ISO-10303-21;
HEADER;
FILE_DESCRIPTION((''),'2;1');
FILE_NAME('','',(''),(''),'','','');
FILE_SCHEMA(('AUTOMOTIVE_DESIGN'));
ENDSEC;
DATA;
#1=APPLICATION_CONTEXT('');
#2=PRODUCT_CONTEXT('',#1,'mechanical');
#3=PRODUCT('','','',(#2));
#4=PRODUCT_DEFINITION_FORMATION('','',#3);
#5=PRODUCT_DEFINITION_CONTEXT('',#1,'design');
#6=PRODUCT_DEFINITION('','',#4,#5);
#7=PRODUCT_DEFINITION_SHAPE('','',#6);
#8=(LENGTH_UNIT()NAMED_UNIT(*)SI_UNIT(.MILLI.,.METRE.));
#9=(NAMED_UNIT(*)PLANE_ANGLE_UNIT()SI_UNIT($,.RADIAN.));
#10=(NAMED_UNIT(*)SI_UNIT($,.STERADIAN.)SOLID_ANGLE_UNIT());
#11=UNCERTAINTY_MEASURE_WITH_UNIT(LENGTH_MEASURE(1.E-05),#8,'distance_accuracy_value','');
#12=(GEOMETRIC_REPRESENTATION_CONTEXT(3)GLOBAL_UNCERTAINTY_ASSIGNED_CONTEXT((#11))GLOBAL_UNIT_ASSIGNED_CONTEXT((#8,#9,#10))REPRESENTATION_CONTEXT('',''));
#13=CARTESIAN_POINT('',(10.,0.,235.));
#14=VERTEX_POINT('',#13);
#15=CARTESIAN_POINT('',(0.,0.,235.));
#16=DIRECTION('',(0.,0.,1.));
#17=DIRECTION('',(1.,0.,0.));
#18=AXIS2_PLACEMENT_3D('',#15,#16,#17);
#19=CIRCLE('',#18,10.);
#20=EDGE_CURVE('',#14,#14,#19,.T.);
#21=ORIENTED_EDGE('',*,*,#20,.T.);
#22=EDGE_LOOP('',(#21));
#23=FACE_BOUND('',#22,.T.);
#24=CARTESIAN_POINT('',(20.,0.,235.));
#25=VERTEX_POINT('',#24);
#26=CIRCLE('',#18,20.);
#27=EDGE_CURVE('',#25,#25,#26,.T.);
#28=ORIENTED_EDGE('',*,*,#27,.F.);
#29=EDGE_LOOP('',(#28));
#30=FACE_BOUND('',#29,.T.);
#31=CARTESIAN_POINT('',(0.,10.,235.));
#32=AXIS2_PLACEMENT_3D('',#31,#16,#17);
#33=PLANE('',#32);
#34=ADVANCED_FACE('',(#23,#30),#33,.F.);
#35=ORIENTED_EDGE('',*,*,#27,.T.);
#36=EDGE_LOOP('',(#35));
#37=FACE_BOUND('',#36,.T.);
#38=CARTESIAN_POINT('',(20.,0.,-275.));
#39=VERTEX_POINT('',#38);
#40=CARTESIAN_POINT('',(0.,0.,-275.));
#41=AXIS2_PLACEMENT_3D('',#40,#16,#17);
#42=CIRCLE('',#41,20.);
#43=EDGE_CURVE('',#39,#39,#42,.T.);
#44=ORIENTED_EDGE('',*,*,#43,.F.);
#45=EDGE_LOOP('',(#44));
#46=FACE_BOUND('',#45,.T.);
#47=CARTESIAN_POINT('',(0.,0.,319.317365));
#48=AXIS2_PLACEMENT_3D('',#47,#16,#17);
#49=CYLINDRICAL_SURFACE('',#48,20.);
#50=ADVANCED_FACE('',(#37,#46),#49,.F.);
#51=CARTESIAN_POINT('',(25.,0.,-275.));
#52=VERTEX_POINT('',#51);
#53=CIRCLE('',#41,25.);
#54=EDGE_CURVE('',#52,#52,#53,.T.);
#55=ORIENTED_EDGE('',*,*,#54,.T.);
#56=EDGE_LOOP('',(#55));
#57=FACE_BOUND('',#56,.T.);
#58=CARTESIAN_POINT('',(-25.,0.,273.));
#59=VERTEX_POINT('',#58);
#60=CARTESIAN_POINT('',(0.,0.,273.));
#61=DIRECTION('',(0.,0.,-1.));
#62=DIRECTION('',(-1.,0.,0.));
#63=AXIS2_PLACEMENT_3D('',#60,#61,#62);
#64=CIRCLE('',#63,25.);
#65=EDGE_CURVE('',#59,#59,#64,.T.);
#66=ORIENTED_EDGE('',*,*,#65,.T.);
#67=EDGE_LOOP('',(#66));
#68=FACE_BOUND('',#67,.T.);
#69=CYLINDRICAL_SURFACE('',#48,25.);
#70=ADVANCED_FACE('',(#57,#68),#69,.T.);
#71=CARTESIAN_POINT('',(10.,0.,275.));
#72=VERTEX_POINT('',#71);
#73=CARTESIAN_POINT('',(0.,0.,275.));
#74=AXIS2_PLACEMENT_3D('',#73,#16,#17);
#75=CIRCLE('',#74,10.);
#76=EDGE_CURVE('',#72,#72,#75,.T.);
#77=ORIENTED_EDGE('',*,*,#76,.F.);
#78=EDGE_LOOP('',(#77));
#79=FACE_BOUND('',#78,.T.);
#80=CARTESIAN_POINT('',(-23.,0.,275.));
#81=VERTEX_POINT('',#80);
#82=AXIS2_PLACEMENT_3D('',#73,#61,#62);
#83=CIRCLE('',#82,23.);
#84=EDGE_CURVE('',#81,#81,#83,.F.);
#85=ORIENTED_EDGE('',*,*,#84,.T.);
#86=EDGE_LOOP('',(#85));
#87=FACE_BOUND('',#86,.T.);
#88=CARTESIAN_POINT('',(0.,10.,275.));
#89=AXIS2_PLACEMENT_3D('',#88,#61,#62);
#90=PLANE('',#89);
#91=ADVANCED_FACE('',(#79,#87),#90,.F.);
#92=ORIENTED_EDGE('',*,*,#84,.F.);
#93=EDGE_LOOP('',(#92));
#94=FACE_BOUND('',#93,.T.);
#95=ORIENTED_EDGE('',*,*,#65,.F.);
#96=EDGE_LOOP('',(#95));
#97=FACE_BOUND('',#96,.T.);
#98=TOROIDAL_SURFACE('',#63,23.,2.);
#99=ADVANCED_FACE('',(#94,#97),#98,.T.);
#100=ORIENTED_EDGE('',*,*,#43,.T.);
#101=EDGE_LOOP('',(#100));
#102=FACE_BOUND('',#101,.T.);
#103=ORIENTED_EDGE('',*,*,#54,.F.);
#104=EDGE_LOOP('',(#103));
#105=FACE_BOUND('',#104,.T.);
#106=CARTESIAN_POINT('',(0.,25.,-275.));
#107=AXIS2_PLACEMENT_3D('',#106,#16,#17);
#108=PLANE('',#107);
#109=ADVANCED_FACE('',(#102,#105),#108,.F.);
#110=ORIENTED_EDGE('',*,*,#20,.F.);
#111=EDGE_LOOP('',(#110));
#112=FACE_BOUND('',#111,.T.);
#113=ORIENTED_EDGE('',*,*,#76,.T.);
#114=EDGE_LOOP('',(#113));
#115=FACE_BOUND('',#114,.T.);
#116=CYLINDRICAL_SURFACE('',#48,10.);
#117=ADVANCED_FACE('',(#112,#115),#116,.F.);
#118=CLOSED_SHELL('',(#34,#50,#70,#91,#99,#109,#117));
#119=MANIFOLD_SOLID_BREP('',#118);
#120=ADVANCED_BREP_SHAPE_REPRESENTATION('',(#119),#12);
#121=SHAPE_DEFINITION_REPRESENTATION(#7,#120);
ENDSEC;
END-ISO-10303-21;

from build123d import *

# Parameters (mm, degrees)
FILLET1_R = 2


with BuildPart() as part:
    # Sketch1 → Revolve1 (revolve)
    with BuildSketch(Plane.YZ, mode=Mode.PRIVATE) as revolve1_sk:
        Polygon((10, 275), (25, 275), (25, -275), (20, -275), (20, 235), (10, 235), align=None)
    revolve(revolve1_sk.sketch.rotate(Axis((0, 0, 319.317365216), (0, 0, -1)), 90), axis=Axis((0, 0, 319.317365216), (0, 0, -1)))

    # Fillet1
    fillet1_edges = [part.edges().sort_by_distance(p)[0] for p in [
        (-25, 0, 275),
    ]]
    fillet(fillet1_edges, radius=FILLET1_R)


solid = part.part
